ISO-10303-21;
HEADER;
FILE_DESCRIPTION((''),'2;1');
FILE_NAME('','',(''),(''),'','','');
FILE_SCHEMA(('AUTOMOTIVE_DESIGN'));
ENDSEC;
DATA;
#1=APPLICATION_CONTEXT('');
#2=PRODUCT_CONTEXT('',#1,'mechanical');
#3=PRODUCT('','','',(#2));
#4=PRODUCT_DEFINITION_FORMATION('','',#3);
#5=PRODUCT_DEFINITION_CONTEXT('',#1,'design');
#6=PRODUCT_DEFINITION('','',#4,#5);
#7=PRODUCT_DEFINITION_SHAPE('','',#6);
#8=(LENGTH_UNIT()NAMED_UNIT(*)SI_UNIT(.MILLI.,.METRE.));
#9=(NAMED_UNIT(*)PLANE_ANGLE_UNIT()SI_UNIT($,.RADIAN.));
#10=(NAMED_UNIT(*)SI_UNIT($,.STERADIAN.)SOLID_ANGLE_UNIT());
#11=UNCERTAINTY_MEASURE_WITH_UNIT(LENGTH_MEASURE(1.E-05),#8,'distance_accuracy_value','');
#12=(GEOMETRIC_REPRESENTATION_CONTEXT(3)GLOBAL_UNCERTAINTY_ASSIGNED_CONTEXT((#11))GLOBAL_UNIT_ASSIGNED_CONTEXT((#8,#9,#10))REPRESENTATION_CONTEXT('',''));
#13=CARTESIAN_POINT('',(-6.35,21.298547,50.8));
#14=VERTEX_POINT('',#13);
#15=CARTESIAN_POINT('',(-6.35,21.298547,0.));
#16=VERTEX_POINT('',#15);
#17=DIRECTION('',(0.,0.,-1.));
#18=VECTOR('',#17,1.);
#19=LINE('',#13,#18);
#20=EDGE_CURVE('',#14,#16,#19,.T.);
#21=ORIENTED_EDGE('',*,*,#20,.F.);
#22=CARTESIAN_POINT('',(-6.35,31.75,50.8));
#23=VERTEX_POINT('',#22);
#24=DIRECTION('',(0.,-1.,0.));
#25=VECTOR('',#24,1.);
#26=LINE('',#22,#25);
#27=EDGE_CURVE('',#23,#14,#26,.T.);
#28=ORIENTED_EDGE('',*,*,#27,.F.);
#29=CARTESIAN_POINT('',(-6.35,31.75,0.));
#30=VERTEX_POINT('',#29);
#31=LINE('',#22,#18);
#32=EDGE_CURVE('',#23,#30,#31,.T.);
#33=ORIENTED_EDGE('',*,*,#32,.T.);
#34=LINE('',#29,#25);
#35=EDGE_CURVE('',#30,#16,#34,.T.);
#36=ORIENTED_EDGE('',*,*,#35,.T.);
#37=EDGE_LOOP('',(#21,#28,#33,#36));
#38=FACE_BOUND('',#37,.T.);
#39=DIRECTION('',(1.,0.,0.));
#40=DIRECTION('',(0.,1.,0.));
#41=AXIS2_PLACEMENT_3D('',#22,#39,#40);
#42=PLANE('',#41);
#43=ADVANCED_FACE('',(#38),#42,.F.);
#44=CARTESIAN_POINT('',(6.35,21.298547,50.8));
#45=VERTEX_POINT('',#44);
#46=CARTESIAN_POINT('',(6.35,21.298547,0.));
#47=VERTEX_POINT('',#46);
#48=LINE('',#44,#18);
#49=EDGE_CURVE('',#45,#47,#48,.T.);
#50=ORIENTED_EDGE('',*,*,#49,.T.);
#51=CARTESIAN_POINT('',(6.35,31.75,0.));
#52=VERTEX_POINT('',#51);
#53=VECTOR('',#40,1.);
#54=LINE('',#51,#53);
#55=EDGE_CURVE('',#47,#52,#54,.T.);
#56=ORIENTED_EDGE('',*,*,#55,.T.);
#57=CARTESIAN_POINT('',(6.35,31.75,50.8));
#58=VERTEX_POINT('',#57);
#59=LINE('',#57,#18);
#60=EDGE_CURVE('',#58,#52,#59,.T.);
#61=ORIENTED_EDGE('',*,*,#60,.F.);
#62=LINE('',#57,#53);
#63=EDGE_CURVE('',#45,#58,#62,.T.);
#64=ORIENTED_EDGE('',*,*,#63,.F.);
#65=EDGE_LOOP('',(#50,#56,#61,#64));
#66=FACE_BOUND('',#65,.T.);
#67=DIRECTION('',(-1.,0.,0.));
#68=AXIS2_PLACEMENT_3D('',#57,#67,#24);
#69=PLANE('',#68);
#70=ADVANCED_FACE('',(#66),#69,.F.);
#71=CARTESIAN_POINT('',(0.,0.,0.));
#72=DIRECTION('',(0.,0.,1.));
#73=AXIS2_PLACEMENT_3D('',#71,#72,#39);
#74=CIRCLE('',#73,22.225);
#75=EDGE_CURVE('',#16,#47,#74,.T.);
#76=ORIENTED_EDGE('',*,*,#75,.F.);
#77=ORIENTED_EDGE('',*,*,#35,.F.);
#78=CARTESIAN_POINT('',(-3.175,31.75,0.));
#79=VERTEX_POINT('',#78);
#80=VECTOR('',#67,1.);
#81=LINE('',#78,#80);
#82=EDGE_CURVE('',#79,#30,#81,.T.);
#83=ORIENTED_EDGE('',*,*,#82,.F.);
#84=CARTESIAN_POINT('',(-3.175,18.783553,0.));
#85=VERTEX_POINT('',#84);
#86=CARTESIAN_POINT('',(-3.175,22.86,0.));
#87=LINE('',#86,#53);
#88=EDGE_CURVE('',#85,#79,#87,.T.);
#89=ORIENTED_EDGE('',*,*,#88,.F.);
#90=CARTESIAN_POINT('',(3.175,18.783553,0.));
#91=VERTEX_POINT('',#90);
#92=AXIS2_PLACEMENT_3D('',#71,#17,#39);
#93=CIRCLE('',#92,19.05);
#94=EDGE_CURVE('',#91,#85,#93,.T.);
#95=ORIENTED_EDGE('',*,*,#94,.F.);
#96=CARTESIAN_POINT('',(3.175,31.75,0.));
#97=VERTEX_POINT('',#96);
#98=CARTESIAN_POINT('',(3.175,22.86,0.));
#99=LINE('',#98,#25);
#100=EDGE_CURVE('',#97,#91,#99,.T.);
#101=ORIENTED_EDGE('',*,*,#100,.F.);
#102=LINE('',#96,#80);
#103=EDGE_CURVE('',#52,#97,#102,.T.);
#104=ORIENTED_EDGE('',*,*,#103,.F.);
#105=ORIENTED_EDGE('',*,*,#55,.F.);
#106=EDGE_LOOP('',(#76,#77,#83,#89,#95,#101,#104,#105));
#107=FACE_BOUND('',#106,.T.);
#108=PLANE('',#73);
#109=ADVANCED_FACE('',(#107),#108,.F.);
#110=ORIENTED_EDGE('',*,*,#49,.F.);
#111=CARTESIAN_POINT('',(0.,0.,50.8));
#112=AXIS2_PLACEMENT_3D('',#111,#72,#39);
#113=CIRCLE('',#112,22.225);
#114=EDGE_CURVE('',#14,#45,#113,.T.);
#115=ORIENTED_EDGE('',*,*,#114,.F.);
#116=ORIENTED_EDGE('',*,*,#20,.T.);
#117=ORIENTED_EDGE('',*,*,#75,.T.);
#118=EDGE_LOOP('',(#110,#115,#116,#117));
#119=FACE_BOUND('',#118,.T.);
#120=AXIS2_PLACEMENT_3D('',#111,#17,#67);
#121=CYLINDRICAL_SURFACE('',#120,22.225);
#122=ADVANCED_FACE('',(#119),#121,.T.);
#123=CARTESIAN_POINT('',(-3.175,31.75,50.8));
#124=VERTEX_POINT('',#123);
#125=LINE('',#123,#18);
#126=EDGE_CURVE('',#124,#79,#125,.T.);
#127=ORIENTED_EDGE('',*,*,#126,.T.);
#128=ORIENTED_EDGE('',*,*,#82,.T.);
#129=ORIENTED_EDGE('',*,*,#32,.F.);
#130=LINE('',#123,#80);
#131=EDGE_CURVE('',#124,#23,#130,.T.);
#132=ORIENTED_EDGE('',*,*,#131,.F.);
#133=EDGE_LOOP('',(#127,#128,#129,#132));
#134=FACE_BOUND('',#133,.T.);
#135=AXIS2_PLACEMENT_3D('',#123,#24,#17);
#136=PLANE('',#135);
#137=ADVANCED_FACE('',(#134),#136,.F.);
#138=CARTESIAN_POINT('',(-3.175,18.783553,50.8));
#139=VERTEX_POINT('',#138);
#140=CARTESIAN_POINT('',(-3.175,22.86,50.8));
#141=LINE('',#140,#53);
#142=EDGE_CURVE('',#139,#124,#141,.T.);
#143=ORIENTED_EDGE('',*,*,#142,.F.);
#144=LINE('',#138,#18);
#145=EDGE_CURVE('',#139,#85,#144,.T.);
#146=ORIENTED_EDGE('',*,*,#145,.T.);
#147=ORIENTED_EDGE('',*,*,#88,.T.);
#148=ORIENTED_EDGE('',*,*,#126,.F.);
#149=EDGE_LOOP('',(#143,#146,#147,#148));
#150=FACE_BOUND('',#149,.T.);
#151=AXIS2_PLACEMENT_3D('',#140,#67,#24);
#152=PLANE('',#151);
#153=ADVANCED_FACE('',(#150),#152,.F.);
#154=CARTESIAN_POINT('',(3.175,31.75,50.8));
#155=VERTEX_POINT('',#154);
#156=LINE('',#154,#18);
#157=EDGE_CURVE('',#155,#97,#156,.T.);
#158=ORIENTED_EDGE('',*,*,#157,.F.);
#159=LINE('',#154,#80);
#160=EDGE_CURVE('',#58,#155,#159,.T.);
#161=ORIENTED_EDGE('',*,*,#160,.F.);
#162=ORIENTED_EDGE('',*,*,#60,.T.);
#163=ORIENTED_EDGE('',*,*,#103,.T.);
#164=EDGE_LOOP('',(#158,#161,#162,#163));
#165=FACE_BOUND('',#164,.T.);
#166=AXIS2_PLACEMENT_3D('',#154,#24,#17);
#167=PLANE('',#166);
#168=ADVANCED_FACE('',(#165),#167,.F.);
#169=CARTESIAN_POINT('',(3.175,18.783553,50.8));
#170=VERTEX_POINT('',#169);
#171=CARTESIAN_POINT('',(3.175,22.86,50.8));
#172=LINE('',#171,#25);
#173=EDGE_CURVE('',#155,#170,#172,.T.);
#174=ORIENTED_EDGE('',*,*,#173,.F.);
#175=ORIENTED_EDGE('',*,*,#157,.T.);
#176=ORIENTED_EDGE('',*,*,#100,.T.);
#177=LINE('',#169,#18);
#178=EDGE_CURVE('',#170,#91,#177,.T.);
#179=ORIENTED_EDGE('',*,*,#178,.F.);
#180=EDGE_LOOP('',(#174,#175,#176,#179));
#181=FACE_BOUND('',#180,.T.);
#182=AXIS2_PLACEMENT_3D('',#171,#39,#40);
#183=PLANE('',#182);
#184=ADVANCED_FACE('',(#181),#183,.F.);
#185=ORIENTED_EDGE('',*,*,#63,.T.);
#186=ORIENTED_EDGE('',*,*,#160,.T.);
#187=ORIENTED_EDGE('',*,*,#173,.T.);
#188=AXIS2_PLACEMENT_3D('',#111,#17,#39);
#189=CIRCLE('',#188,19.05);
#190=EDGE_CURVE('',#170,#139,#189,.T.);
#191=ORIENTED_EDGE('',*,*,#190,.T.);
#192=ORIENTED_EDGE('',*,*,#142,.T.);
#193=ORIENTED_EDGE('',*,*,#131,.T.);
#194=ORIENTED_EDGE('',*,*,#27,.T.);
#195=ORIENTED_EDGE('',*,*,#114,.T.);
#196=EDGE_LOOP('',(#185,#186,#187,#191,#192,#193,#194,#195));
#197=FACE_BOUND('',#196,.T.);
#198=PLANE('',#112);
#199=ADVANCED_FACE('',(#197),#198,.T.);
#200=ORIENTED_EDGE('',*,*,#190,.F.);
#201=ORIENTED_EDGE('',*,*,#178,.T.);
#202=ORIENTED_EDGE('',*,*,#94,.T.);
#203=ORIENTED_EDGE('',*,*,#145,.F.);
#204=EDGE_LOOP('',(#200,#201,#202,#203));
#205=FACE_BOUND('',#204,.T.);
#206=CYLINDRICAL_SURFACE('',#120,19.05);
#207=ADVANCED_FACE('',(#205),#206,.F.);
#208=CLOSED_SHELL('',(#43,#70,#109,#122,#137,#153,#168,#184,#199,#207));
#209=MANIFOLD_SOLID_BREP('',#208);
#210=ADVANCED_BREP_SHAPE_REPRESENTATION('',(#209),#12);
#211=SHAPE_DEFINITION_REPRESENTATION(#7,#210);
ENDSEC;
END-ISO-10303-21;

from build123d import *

# Parameters (mm, degrees)
BOSS_EXTRUDE1_DEPTH = 50.8


with BuildPart() as part:
    # Sketch2 → Boss-Extrude1 (new body)
    with BuildSketch(Plane.XY):
        with BuildLine():
            Line((3.175, 22.86), (3.175, 31.75))
            Line((3.175, 31.75), (6.35, 31.75))
            Line((6.35, 31.75), (6.35, 21.298547486))
            ThreePointArc((6.35, 21.298547486), (0, -22.225), (-6.35, 21.298547486))
            Line((-6.35, 21.298547486), (-6.35, 31.75))
            Line((-6.35, 31.75), (-3.175, 31.75))
            Line((-3.175, 31.75), (-3.175, 22.86))
            Line((-3.175, 22.86), (-3.175, 18.783553311))
            ThreePointArc((-3.175, 18.783553311), (0, -19.05), (3.175, 18.783553311))
            Line((3.175, 18.783553311), (3.175, 22.86))
        make_face()
    extrude(amount=BOSS_EXTRUDE1_DEPTH)


solid = part.part
